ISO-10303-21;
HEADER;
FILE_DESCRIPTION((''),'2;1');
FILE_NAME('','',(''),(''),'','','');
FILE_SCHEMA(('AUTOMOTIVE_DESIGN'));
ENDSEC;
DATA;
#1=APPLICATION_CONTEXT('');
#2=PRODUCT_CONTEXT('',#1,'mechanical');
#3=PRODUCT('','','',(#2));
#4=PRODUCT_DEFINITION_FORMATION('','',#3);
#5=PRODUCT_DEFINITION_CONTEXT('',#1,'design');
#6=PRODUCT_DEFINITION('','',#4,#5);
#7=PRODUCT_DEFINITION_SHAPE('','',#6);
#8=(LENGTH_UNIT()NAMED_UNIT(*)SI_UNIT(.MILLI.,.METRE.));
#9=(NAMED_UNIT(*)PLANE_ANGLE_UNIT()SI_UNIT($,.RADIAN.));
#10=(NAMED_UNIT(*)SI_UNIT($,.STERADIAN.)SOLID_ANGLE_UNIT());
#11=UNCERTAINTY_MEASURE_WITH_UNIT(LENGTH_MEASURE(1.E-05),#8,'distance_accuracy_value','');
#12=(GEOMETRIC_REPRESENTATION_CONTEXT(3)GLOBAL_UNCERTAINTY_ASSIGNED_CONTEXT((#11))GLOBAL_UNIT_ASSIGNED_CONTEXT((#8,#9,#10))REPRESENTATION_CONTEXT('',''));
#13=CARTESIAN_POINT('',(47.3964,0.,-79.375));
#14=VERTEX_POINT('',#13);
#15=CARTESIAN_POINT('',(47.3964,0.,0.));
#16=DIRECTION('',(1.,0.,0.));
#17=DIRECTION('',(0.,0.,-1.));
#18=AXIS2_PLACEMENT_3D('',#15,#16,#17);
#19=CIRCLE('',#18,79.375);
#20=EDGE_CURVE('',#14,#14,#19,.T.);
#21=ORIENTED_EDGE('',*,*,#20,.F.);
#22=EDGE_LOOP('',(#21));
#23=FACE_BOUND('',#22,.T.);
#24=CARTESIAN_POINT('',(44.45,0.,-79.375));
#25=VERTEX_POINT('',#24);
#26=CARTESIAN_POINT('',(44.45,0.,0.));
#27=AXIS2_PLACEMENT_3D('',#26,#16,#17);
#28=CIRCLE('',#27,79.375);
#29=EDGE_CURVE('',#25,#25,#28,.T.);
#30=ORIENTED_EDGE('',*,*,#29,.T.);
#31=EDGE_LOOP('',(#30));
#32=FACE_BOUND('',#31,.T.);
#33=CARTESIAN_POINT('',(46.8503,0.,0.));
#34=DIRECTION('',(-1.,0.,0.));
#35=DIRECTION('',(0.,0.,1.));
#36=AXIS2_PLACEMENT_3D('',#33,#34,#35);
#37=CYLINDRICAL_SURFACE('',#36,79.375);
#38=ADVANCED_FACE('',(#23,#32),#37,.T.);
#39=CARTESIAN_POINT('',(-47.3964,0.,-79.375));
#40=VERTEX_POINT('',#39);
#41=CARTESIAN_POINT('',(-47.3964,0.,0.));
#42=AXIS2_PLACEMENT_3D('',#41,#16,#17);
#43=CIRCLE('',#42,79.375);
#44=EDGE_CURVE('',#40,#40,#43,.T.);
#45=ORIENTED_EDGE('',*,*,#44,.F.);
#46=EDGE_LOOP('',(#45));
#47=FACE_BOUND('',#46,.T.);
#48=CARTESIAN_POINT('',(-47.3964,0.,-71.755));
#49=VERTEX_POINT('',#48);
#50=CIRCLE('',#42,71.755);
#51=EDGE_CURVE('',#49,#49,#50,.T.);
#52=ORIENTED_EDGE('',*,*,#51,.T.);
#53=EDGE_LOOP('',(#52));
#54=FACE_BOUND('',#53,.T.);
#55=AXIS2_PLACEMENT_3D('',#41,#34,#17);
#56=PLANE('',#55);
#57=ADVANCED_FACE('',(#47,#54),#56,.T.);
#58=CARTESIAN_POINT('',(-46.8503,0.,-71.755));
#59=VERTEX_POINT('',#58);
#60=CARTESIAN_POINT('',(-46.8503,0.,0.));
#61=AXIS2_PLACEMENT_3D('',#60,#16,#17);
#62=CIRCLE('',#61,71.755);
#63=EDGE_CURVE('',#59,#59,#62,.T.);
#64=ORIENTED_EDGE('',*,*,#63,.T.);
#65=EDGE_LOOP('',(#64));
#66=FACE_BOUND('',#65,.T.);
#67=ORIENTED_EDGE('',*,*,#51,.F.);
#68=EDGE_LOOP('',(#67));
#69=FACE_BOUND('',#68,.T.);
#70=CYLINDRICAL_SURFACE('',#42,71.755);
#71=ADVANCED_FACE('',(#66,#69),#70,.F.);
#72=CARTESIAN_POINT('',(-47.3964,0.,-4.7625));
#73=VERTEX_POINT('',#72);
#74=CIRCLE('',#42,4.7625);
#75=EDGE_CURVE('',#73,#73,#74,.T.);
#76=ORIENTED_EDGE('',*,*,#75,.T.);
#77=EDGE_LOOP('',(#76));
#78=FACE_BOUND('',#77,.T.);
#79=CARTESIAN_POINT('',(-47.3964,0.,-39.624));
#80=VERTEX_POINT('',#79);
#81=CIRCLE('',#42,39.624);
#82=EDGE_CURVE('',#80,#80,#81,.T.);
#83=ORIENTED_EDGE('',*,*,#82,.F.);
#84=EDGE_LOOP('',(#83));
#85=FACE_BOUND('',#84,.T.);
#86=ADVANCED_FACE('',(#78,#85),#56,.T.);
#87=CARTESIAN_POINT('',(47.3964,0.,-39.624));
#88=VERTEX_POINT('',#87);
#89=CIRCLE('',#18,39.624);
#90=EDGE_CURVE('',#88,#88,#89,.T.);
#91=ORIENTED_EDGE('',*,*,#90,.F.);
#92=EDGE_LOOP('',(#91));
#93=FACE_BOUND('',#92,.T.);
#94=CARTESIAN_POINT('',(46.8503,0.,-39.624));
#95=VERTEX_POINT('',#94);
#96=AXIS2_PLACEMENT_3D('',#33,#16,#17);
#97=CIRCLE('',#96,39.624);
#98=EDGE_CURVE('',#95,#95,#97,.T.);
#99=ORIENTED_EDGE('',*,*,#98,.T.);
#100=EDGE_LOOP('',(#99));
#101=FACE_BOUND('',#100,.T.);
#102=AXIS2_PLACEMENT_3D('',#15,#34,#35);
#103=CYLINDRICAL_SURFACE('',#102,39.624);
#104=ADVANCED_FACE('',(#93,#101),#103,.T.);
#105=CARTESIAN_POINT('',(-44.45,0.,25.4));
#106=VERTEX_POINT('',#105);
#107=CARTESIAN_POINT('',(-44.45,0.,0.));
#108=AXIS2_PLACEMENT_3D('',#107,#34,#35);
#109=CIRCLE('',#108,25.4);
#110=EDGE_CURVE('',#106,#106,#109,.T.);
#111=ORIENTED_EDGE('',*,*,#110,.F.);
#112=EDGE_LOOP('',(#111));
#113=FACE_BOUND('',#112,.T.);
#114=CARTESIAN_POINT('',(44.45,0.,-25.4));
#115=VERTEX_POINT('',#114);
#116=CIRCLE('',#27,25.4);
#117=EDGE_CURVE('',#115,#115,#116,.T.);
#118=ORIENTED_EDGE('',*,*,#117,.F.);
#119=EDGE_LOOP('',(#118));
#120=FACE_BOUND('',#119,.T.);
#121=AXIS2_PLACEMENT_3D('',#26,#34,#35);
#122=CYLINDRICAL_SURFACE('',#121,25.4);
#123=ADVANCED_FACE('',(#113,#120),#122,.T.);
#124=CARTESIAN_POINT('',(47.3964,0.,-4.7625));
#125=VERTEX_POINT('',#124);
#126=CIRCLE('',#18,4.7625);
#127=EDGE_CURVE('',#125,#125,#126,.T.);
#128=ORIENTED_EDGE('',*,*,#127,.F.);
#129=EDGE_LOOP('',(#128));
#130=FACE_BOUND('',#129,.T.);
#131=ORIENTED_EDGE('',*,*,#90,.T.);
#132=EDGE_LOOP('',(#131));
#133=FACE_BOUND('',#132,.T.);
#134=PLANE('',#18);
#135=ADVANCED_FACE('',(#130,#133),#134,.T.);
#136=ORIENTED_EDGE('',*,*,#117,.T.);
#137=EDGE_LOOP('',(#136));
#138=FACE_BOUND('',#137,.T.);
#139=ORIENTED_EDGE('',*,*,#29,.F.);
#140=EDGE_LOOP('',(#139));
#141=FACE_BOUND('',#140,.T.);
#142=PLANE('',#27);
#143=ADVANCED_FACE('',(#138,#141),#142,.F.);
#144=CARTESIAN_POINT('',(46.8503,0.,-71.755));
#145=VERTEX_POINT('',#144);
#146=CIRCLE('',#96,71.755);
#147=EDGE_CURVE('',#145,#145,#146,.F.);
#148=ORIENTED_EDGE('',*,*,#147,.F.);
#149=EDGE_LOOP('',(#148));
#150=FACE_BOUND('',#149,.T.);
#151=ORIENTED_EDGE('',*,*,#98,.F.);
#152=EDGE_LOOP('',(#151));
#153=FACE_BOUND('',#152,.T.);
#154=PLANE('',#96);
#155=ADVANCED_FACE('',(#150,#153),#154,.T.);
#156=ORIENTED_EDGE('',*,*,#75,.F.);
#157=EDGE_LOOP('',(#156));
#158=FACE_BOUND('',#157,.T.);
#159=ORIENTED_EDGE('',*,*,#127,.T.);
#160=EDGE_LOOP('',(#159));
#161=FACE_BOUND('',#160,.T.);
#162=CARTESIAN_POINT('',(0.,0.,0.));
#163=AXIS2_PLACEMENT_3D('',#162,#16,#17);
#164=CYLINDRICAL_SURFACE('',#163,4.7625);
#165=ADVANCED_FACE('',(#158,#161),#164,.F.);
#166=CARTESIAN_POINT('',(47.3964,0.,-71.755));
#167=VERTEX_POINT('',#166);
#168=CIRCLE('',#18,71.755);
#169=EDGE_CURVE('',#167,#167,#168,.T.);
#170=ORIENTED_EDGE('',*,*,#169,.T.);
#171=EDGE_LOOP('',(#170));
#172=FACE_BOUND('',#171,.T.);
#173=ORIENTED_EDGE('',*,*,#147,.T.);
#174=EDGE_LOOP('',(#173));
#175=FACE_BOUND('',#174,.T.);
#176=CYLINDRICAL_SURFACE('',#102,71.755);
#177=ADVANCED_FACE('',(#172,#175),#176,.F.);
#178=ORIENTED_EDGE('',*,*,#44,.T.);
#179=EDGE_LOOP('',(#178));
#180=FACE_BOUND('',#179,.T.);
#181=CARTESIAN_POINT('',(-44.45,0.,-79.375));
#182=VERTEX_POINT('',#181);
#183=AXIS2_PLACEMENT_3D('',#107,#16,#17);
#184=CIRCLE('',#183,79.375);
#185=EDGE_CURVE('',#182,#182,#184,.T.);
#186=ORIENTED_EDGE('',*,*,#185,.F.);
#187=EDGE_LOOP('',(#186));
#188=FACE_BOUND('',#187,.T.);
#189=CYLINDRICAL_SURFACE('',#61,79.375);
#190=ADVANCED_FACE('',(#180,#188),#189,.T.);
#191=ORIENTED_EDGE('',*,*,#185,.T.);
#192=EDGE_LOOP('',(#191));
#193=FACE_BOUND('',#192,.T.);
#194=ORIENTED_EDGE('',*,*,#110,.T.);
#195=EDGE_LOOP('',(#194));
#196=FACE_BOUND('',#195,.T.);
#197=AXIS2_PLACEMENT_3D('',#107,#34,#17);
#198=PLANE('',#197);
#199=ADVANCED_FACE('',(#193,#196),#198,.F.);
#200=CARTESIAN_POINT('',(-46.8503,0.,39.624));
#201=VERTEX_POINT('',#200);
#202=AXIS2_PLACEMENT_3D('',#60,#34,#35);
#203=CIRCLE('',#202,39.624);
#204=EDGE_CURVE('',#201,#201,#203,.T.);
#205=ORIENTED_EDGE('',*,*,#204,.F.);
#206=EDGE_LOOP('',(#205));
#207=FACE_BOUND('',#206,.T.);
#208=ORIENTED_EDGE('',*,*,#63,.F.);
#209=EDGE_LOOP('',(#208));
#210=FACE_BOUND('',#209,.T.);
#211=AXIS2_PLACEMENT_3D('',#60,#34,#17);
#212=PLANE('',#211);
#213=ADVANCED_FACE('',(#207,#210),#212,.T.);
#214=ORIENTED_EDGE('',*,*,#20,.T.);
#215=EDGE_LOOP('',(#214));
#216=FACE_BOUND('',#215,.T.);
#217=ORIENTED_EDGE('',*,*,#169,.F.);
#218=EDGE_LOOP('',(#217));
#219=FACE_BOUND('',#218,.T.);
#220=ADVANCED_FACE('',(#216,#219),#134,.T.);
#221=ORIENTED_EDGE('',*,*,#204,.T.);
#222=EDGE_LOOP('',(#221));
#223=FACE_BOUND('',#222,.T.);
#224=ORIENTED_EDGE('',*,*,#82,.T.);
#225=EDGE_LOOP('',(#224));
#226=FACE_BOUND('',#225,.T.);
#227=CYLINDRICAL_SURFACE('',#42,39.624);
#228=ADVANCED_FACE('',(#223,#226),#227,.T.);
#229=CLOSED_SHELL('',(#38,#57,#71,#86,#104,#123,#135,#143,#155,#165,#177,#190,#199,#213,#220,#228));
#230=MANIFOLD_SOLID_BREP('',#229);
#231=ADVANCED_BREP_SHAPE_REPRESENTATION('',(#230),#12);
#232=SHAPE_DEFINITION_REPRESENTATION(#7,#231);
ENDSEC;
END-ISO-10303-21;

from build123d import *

# Parameters (mm, degrees)
SKETCH1_R           = 25.4
BOSS_EXTRUDE1_DEPTH = 44.45
SKETCH2_R           = 79.375
BOSS_EXTRUDE2_DEPTH = 2.4003
SKETCH3_R           = 79.375
SKETCH3_R_2         = 71.755
BOSS_EXTRUDE3_DEPTH = 0.5461
SKETCH4_R           = 39.624
BOSS_EXTRUDE4_DEPTH = 0.5461
SKETCH5_R           = 4.7625
CUT_EXTRUDE1_DEPTH  = 122.849086919


with BuildPart() as part:
    # Sketch1 → Boss-Extrude1 (new body)
    with BuildSketch(Plane(origin=(0, 0, 0), x_dir=(0, 0, -1), z_dir=(1, 0, 0))):
        Circle(SKETCH1_R)
    boss_extrude1 = extrude(amount=BOSS_EXTRUDE1_DEPTH)

    # Sketch2 → Boss-Extrude2 (add)
    with BuildSketch(Plane(origin=(44.45, 0, 0), x_dir=(0, 0, -1), z_dir=(1, 0, 0))):
        Circle(SKETCH2_R)
    boss_extrude2 = extrude(amount=BOSS_EXTRUDE2_DEPTH)

    # Sketch3 → Boss-Extrude3 (add)
    with BuildSketch(Plane(origin=(46.8503, 0, 0), x_dir=(0, 0, -1), z_dir=(1, 0, 0))):
        Circle(SKETCH3_R)
        Circle(SKETCH3_R_2, mode=Mode.SUBTRACT)
    boss_extrude3 = extrude(amount=BOSS_EXTRUDE3_DEPTH)

    # Sketch4 → Boss-Extrude4 (add)
    with BuildSketch(Plane(origin=(46.8503, 0, 0), x_dir=(0, 0, -1), z_dir=(1, 0, 0))):
        Circle(SKETCH4_R)
    boss_extrude4 = extrude(amount=BOSS_EXTRUDE4_DEPTH)

    # Sketch5 → Cut-Extrude1 (cut, through all)
    with BuildSketch(Plane(origin=(47.3964, 0, 0), x_dir=(0, 0, -1), z_dir=(1, 0, 0))):
        Circle(SKETCH5_R)
    cut_extrude1 = extrude(amount=-CUT_EXTRUDE1_DEPTH, mode=Mode.SUBTRACT)

    # Mirror1: Boss-Extrude1, Boss-Extrude2, Boss-Extrude3, Boss-Extrude4, Cut-Extrude1 across plane
    add(boss_extrude1.mirror(Plane(origin=(0, 0, 0), x_dir=(0, 0, 1), z_dir=(1, 0, 0))))
    add(boss_extrude2.mirror(Plane(origin=(0, 0, 0), x_dir=(0, 0, 1), z_dir=(1, 0, 0))))
    add(boss_extrude3.mirror(Plane(origin=(0, 0, 0), x_dir=(0, 0, 1), z_dir=(1, 0, 0))))
    add(boss_extrude4.mirror(Plane(origin=(0, 0, 0), x_dir=(0, 0, 1), z_dir=(1, 0, 0))))
    add(cut_extrude1.mirror(Plane(origin=(0, 0, 0), x_dir=(0, 0, 1), z_dir=(1, 0, 0))), mode=Mode.SUBTRACT)


solid = part.part
